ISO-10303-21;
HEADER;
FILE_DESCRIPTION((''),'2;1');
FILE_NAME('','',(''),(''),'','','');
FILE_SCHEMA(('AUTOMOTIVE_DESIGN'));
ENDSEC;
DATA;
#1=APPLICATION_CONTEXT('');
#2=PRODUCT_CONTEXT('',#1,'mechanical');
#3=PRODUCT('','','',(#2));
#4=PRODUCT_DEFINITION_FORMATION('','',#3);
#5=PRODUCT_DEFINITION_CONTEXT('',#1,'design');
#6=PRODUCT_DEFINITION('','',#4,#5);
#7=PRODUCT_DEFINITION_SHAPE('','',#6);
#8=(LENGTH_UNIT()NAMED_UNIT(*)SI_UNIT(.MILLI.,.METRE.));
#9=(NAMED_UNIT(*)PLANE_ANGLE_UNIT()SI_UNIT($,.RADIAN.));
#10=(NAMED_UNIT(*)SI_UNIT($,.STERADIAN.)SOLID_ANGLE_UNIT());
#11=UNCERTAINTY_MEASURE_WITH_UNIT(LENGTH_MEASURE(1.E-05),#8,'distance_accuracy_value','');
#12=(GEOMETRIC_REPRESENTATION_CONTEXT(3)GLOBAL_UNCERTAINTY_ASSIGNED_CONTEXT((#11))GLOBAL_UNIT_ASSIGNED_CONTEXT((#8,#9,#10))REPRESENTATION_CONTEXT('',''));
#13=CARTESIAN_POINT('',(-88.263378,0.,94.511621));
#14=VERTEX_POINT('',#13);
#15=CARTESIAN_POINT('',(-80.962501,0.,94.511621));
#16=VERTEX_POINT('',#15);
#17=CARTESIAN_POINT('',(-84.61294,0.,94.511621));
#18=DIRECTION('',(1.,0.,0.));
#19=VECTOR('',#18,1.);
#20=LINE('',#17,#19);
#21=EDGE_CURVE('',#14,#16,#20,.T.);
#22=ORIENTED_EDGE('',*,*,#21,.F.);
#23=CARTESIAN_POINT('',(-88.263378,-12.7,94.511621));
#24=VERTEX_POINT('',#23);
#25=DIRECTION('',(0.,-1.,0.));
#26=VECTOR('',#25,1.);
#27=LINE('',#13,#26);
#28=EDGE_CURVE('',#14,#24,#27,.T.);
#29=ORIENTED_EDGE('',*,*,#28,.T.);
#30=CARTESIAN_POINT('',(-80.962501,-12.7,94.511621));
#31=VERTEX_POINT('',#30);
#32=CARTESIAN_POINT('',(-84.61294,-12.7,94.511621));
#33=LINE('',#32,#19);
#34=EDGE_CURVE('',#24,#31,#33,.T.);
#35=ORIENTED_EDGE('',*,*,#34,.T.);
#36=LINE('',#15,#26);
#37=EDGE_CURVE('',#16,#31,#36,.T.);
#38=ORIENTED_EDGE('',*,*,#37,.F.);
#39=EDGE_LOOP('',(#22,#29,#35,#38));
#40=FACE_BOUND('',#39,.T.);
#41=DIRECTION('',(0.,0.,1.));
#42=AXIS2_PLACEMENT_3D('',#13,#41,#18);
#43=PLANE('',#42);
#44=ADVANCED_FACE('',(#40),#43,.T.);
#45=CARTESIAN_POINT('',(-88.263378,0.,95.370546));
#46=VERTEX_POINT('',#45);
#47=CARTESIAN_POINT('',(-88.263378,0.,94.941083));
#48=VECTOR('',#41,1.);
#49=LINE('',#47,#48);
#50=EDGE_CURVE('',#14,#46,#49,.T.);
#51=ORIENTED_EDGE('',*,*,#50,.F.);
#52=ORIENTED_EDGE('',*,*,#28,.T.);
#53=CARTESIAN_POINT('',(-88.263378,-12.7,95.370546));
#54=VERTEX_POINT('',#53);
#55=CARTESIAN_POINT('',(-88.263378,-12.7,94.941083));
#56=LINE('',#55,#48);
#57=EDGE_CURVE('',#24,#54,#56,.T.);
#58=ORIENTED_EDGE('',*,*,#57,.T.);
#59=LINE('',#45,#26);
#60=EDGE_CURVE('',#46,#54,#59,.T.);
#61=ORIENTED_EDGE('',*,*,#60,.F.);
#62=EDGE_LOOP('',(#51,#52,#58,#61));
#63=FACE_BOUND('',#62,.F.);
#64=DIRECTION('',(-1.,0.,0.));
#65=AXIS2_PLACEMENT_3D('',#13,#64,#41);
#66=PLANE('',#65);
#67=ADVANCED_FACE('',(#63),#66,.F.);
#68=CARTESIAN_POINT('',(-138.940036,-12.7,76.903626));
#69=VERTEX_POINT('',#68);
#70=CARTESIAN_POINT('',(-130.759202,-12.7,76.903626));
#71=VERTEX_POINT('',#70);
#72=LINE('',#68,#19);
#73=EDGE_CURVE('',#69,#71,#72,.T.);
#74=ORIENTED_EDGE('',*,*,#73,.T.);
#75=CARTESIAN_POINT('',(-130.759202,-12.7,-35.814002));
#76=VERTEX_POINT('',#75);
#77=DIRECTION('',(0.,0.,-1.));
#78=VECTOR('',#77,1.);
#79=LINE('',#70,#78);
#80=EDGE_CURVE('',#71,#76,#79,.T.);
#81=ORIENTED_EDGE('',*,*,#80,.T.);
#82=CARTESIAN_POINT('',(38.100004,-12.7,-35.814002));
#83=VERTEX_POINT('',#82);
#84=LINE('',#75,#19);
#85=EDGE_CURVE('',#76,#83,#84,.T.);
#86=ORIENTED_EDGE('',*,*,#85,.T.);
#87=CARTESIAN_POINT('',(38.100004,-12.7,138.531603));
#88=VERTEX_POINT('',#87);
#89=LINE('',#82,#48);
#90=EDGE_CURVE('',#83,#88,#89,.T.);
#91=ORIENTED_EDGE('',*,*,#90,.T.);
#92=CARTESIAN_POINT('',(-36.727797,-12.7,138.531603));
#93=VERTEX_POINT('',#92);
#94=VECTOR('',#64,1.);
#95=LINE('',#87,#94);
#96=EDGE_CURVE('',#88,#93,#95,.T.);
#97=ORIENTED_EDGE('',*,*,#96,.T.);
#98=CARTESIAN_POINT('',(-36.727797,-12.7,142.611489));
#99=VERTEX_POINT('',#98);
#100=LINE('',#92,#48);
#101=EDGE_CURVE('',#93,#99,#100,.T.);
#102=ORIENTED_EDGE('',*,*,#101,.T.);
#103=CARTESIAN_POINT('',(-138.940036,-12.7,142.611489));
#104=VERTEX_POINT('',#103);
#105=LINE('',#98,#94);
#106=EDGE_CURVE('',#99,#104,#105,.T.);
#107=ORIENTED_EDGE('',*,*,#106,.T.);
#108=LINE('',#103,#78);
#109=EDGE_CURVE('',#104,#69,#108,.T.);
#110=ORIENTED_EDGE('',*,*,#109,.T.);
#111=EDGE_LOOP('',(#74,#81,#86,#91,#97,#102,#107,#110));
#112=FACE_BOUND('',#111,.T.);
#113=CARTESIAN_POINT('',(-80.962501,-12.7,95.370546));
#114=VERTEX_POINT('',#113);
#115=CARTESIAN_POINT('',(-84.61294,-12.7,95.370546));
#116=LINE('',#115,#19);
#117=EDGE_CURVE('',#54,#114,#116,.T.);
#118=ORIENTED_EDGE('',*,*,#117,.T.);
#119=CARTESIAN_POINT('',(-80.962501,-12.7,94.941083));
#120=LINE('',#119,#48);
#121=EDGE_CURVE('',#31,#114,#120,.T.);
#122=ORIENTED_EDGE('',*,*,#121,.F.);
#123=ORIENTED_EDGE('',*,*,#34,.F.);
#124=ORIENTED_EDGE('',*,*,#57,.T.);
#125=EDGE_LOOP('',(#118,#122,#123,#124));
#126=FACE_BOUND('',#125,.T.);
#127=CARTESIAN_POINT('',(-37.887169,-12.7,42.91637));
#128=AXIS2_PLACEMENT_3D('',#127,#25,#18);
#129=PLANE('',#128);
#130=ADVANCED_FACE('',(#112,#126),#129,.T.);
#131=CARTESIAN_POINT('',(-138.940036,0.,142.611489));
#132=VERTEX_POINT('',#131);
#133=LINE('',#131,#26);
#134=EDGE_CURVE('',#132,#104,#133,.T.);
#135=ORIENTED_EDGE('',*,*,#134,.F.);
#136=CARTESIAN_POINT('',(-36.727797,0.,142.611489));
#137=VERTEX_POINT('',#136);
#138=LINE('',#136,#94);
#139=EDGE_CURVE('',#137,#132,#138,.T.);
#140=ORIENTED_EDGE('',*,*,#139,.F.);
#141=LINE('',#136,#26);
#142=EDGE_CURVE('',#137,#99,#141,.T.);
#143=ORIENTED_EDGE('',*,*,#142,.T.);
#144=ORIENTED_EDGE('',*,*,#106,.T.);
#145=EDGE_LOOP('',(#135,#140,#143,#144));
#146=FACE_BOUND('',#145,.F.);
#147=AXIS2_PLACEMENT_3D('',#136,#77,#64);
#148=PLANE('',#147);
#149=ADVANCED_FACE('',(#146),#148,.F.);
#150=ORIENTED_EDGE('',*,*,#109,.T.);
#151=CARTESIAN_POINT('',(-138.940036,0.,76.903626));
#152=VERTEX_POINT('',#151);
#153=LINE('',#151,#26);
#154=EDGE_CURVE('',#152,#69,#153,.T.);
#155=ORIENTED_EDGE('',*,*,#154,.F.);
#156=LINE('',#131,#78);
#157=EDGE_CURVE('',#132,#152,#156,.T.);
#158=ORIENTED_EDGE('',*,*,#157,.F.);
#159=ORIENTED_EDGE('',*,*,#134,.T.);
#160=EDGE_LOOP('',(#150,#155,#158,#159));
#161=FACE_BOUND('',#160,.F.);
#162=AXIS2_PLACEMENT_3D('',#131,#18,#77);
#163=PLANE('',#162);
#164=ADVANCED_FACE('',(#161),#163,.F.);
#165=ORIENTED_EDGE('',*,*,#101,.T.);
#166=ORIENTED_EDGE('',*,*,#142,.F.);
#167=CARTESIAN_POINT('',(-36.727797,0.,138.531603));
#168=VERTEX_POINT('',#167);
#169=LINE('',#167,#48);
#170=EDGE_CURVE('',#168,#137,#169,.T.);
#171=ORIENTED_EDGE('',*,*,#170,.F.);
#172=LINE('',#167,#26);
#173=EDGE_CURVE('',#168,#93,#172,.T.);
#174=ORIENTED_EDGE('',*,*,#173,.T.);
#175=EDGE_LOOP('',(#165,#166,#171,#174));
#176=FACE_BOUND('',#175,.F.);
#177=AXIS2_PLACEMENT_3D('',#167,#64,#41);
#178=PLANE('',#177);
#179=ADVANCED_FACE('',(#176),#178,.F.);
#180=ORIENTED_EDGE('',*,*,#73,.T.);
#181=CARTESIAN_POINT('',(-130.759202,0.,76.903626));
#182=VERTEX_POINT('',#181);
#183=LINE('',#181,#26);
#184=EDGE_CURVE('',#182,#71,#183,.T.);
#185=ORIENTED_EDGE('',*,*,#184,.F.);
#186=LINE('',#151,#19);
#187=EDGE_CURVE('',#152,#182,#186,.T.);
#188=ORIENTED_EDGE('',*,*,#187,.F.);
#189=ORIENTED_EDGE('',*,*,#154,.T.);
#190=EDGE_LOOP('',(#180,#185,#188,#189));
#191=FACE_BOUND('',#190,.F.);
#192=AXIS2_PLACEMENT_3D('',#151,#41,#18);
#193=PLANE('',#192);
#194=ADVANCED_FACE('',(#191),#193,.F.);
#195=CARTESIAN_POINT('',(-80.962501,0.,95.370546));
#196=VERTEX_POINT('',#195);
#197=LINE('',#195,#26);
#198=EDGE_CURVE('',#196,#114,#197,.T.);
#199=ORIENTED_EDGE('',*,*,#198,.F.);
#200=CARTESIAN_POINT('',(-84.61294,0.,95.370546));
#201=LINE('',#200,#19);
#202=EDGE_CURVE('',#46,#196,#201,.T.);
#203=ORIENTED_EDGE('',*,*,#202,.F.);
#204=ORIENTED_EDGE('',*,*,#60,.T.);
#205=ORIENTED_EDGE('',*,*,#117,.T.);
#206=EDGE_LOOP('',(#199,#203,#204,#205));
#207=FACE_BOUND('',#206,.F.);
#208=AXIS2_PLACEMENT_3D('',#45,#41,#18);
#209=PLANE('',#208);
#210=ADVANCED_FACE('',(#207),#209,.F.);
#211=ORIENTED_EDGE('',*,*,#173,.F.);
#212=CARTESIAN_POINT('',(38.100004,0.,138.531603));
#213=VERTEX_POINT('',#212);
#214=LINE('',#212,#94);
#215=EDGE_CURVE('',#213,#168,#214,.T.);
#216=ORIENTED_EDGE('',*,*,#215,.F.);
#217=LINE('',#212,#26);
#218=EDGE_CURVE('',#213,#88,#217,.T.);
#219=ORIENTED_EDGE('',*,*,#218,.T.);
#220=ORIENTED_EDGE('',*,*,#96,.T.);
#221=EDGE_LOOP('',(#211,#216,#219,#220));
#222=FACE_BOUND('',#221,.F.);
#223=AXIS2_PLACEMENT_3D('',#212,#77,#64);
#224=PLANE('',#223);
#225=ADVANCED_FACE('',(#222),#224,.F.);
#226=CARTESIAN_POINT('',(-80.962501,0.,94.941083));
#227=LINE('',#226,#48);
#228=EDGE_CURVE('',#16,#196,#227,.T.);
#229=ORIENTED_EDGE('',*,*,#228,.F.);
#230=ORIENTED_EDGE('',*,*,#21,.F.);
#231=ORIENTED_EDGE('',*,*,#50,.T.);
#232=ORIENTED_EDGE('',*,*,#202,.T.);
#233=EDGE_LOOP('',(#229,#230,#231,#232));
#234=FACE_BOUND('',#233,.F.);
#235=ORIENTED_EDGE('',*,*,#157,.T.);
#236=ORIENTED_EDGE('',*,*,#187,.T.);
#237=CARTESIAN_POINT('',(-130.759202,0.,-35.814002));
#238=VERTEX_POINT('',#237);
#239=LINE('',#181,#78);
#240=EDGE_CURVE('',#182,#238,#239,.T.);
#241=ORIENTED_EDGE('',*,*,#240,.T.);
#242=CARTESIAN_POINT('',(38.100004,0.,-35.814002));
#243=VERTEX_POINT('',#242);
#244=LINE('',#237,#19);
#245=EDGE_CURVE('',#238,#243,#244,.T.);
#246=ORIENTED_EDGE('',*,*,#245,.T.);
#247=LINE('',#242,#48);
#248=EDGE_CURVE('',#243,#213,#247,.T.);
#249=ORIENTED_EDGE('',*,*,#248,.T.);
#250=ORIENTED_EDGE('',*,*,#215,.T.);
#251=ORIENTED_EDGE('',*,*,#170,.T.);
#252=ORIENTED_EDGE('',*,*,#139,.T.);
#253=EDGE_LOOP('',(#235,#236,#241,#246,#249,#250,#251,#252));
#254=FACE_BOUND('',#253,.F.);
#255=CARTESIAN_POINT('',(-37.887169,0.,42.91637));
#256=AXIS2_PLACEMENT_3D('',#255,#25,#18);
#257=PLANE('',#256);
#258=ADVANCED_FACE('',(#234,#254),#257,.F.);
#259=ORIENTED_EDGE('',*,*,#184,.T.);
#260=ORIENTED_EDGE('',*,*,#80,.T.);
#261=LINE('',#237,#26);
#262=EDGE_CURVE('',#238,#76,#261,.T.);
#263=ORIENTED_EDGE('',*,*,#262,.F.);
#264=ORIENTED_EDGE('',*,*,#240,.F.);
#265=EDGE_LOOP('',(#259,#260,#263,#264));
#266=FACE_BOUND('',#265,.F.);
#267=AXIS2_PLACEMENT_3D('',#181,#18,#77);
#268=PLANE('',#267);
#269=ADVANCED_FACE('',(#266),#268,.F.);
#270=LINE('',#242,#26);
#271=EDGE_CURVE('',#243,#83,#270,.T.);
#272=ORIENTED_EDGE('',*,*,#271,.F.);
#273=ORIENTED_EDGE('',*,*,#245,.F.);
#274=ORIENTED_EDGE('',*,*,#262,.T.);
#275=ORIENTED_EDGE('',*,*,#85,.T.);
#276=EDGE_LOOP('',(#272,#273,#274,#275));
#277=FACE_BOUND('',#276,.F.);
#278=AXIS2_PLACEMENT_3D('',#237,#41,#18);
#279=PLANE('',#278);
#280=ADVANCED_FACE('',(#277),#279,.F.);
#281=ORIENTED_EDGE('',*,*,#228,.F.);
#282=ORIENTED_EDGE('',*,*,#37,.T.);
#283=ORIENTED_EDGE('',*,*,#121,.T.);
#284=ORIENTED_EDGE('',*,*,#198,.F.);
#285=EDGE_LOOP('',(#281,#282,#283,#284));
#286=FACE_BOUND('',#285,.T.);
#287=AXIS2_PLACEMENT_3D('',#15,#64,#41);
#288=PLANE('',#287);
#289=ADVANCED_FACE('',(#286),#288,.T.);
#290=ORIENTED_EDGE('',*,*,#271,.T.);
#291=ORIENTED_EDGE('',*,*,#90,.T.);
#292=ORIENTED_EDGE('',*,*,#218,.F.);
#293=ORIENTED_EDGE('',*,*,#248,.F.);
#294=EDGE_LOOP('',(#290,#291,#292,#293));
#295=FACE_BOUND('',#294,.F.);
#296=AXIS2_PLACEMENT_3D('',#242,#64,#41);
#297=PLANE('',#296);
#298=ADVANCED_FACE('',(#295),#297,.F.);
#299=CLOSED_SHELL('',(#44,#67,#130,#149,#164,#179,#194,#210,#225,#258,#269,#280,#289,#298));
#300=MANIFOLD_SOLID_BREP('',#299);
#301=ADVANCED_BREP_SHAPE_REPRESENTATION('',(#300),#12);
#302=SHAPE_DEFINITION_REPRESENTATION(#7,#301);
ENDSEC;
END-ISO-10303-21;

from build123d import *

# Parameters (mm, degrees)
F0_W     = 94.0314047039
F0_H     = 61.6279765964
F0_W_2   = 7.300876081
F0_H_2   = 0.858925283
F1_DEPTH = 25.4
F2_DEPTH = 12.7


with BuildPart() as f1:
    # F0 (on Front) → F1 (new body)
    with BuildSketch(Plane.XZ):
        Polygon((-130.7592019439, -35.8140021563), (38.1000041962, -35.8140021563), (38.1000041962, 138.5316029191), (-36.72779724, 138.5316029191), (-36.72779724, 76.9036263227), (-130.7592019439, 76.9036263227), align=None)
        Polygon((-138.9400362968, 76.9036263227), (-130.7592019439, 76.9036263227), (-130.7592019439, 138.5316029191), (-36.72779724, 138.5316029191), (-36.72779724, 142.6114886999), (-138.9400362968, 142.6114886999), align=None)
        with Locations((-83.7434995919, 107.7176146209)):
            Rectangle(F0_W, F0_H)
        with Locations((-84.6129395068, 94.9410833418)):
            Rectangle(F0_W_2, F0_H_2, mode=Mode.SUBTRACT)
    extrude(amount=F1_DEPTH)

    # F2 (cut, symmetric): a face of the model
    f2_faces = [f1.faces().sort_by_distance(p)[0] for p in [
        (-48.3621229952, -25.4, 53.5114771405),
    ]]
    extrude(f2_faces, amount=F2_DEPTH, both=True, mode=Mode.SUBTRACT)


solid = f1.part
